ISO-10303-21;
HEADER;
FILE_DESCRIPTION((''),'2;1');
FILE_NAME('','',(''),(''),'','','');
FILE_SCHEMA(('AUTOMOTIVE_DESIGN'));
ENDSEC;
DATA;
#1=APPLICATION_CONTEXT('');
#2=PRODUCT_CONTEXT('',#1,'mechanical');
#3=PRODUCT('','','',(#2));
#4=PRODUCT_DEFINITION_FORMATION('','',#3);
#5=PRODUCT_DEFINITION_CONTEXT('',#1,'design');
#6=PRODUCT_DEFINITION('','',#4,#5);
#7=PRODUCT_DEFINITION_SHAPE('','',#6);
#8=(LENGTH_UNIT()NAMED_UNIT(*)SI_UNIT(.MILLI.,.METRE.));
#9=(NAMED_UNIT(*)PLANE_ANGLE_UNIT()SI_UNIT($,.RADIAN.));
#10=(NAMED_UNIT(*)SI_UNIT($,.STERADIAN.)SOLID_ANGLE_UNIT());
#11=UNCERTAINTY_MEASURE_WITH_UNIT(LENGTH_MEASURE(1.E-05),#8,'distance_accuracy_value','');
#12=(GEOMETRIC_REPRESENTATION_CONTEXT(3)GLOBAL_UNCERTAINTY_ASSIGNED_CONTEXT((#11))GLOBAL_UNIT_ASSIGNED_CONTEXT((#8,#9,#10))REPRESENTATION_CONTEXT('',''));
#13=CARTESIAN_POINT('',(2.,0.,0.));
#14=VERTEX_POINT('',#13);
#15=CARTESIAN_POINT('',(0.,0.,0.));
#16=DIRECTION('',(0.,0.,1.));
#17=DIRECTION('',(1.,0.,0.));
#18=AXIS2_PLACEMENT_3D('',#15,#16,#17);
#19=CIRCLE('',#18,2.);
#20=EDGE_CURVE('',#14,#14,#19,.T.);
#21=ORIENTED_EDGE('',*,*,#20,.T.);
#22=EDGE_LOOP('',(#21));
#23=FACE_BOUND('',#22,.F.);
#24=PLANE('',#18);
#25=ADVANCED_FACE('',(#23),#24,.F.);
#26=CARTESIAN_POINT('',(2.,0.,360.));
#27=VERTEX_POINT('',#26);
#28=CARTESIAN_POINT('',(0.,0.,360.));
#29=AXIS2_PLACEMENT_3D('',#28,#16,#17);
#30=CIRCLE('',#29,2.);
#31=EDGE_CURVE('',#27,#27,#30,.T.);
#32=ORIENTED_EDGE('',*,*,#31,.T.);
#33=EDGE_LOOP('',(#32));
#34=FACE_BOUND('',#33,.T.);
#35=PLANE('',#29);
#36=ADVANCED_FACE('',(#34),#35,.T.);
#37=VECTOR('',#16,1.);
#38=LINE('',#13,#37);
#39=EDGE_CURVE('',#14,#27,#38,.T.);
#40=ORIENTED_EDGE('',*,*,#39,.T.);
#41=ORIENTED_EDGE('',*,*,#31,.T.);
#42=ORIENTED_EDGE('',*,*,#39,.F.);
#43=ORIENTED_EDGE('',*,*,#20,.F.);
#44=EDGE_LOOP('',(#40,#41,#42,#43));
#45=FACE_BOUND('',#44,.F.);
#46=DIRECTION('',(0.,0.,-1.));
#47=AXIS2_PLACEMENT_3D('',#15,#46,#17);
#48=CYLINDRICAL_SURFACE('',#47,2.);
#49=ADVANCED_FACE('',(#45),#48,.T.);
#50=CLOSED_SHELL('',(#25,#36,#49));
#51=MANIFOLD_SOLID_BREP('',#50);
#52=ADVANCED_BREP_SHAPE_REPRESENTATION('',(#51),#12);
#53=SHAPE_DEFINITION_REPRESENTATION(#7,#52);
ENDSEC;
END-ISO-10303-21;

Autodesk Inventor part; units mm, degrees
ref_plane "YZ Plane" through (0, 0, 0) normal (1, 0, 0) x (0, 1, 0)
ref_plane "XZ Plane" through (0, 0, 0) normal (0, 1, 0) x (-1, 0, 0)
ref_plane "XY Plane" through (0, 0, 0) normal (0, 0, 1) x (1, 0, 0)
sketch "草圖1" plane through (0, 0, 0) normal (0, 0, 1) x (1, 0, 0)
  circle A0 centre (0, 0) radius 2
  dimension "d0" = 4
extrude "擠出1" add sketch "草圖1" along normal blind 360
properties part number "支撐桿"
